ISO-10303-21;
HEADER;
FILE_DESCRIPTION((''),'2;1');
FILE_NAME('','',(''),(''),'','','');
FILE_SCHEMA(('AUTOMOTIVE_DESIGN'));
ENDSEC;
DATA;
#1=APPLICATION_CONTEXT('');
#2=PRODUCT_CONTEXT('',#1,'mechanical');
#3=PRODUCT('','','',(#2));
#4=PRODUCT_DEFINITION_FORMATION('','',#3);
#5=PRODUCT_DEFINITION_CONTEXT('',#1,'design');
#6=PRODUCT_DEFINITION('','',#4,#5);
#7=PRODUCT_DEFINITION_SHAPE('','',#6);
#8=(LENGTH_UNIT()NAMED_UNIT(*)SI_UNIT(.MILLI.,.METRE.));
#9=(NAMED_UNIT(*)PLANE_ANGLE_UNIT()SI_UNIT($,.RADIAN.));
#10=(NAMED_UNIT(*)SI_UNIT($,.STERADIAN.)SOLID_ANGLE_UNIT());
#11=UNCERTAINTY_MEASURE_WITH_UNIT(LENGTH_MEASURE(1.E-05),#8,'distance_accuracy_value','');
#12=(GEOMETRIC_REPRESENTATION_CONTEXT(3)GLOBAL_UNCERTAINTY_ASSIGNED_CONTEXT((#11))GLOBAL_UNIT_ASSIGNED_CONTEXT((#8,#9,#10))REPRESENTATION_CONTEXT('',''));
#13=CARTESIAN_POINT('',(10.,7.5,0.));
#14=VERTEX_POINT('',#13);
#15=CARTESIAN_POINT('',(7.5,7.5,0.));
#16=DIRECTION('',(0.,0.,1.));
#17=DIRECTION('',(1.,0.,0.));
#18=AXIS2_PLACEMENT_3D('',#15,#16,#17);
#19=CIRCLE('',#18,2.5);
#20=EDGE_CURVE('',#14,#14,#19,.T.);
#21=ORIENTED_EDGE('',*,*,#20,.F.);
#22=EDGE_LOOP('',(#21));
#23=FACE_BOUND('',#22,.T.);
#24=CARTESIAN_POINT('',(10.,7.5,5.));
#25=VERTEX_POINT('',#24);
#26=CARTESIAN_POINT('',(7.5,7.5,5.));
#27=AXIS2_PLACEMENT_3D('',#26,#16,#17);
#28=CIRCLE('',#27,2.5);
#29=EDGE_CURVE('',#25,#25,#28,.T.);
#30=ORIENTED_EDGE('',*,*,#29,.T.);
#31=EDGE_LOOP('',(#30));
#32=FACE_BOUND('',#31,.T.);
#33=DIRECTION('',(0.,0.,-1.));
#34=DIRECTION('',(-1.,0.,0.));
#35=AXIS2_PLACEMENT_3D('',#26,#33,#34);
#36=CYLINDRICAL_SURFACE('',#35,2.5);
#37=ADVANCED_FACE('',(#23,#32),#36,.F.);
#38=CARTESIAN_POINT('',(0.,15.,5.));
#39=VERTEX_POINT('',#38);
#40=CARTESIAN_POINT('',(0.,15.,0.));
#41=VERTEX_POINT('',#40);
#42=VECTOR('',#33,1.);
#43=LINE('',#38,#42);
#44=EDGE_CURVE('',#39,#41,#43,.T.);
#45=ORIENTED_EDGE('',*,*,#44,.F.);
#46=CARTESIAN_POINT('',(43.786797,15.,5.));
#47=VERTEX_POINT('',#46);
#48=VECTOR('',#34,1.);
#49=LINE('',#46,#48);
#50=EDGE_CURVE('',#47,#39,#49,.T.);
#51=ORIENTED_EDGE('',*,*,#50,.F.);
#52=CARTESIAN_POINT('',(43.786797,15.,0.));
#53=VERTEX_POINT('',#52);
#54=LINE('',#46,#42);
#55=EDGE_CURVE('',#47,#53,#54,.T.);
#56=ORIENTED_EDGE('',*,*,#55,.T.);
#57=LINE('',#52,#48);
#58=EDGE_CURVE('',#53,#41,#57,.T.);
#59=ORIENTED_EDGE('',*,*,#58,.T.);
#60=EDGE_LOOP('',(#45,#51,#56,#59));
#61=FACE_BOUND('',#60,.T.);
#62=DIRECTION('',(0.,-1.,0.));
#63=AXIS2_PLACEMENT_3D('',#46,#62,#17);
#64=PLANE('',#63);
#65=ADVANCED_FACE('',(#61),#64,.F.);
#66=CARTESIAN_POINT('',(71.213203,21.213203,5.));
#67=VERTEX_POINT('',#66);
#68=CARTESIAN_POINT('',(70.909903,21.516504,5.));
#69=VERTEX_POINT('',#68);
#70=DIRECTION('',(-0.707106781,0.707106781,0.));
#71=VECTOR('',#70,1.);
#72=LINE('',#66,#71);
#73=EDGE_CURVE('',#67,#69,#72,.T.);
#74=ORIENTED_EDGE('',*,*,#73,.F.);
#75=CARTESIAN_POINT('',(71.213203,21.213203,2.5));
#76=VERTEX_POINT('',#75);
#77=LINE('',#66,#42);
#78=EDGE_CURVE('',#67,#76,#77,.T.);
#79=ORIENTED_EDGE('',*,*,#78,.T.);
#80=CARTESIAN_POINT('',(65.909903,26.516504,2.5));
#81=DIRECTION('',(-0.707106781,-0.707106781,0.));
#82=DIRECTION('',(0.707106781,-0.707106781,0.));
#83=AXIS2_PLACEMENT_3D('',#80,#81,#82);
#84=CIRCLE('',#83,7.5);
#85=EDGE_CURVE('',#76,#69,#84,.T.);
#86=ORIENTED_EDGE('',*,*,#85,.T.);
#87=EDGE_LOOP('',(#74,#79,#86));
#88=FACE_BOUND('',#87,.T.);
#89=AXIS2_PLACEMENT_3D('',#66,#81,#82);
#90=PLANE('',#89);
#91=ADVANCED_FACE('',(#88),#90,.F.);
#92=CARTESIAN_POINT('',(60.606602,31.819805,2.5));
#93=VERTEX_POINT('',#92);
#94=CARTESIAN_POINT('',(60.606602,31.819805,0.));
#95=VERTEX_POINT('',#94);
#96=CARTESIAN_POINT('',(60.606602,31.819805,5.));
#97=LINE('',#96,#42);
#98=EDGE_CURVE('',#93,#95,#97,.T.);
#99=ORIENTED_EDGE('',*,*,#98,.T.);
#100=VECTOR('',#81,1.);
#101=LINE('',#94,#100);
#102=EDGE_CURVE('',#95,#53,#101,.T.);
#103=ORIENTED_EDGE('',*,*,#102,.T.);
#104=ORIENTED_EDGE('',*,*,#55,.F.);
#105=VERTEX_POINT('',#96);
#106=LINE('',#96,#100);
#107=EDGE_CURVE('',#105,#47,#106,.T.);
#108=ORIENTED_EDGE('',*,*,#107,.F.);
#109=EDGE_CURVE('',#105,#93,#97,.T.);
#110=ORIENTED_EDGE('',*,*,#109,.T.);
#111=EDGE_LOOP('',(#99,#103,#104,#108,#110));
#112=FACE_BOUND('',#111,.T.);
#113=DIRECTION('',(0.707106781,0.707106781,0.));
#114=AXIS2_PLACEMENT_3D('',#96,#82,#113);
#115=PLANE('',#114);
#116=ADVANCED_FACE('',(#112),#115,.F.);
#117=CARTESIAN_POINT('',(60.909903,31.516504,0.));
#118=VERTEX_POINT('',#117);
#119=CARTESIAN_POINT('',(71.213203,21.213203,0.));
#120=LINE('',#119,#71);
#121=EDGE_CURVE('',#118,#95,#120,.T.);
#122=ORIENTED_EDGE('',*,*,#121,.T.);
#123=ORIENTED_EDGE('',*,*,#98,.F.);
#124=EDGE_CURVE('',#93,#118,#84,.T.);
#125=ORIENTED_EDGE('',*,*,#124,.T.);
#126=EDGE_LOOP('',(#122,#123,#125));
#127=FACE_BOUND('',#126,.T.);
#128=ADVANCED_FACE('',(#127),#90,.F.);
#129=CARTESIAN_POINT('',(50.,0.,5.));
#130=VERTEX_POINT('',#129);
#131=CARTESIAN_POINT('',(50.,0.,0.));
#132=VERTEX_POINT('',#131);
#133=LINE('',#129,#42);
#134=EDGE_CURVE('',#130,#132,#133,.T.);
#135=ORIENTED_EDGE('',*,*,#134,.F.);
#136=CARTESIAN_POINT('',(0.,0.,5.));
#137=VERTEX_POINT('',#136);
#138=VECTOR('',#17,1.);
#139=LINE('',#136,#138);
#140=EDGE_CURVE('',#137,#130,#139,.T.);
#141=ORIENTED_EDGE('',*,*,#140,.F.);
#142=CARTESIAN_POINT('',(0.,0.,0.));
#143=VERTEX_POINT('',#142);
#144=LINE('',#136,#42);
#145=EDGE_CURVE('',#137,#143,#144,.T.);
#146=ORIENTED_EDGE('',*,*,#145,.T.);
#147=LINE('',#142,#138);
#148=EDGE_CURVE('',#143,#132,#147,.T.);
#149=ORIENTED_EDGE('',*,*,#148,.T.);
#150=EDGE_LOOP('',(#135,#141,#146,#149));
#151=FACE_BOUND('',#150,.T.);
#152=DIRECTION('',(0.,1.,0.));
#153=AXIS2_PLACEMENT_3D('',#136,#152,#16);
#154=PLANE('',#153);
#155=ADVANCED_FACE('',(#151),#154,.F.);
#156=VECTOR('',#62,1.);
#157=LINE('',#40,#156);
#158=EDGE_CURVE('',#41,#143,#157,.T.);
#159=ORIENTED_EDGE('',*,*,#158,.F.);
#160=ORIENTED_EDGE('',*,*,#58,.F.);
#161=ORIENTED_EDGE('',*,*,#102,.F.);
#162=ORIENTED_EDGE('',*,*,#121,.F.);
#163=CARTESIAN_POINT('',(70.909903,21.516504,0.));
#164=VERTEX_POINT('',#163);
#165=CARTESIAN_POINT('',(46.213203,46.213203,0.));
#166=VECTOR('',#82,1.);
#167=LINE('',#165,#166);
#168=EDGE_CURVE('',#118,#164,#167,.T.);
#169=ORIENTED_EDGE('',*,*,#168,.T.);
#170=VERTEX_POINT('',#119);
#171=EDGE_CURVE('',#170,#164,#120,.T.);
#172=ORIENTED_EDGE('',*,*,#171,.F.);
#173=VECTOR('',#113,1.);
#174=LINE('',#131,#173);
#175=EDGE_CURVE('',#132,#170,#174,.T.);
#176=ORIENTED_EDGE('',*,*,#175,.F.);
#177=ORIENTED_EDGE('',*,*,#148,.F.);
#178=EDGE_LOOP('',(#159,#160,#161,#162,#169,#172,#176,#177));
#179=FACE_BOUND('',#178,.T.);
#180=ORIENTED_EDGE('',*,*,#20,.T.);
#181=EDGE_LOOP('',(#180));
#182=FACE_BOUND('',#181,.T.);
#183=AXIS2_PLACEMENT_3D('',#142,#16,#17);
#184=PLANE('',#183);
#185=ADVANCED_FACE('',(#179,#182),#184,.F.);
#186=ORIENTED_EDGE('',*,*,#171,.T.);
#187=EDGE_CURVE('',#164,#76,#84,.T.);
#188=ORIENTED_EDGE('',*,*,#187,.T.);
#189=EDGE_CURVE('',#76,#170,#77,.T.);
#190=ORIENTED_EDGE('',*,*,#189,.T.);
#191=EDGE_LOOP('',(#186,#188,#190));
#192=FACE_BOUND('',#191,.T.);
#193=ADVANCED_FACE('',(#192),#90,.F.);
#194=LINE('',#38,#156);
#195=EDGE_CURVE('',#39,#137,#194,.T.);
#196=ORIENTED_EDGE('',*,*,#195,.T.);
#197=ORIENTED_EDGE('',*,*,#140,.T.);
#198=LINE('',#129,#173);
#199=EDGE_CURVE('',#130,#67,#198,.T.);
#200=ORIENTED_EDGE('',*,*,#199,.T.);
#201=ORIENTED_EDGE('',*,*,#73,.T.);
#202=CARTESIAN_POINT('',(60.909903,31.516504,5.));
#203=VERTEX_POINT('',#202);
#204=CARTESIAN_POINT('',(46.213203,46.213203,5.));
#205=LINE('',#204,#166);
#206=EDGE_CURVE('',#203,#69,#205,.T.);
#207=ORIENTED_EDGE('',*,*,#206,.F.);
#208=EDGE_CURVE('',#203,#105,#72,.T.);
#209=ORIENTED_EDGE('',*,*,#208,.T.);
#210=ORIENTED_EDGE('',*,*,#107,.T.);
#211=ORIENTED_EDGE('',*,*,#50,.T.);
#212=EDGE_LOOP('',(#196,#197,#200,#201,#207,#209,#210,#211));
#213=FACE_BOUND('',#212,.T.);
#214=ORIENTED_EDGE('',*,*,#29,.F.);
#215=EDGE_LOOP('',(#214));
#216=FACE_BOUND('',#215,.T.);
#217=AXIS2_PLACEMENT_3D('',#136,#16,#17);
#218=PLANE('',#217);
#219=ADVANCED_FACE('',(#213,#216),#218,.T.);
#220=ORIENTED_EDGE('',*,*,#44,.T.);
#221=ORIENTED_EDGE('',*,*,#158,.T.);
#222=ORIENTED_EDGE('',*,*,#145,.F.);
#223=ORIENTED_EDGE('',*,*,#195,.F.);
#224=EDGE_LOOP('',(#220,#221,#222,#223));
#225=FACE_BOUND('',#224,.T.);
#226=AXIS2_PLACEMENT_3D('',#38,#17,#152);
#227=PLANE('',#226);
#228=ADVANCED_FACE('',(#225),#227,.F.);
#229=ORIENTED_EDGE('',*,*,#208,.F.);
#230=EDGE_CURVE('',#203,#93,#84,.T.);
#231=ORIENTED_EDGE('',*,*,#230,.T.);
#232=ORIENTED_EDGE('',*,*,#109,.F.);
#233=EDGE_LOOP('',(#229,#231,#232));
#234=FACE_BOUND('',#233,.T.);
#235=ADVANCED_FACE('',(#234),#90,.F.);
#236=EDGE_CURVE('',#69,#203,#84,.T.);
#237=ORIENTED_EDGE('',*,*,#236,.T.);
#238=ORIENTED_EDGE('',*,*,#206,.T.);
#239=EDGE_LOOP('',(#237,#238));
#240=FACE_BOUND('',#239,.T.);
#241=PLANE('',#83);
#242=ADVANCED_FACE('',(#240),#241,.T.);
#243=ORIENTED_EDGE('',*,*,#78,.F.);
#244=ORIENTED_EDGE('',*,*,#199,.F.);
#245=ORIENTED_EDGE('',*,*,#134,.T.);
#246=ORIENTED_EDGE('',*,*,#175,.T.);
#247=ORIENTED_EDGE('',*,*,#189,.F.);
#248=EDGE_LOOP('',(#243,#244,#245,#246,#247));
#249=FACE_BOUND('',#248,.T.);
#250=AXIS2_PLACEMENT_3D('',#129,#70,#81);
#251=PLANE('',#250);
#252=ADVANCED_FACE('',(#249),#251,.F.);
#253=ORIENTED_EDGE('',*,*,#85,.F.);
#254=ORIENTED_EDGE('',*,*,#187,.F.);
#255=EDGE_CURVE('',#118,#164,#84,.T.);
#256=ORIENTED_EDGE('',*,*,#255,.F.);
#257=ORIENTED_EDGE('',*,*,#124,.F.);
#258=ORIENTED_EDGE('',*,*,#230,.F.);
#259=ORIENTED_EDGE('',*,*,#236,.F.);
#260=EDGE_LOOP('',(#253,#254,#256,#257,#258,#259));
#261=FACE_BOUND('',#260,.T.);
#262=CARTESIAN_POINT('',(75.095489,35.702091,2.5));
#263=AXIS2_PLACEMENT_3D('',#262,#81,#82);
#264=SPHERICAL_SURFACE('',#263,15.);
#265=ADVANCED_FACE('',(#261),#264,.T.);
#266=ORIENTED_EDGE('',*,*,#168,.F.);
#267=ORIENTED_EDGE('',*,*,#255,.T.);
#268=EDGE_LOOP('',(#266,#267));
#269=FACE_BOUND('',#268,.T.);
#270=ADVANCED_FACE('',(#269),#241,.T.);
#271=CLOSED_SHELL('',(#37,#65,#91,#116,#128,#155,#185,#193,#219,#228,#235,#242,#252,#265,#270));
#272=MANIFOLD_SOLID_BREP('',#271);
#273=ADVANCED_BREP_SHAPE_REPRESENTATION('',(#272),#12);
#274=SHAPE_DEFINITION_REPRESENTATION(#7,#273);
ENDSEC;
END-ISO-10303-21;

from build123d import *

# Parameters (mm, degrees)
SKETCH1_R           = 2.5
BOSS_EXTRUDE1_DEPTH = 5


with BuildPart() as part:
    # Sketch1 → Boss-Extrude1 (new body)
    with BuildSketch(Plane.XY):
        Polygon((0, 0), (50, 0), (71.213203436, 21.213203436), (60.606601718, 31.819805153), (43.786796564, 15), (0, 15), align=None)
        with Locations((7.5, 7.5)):
            Circle(SKETCH1_R, mode=Mode.SUBTRACT)
    extrude(amount=BOSS_EXTRUDE1_DEPTH)

    # Sketch2 → Revolve2 (revolve)
    with BuildSketch(Plane.XY.offset(2.5)):
        with BuildLine():
            Line((65.909902577, 26.516504294), (85.70209083, 46.308692548))
            ThreePointArc((85.70209083, 46.308692548), (88.085870169, 28.20209083), (71.213203436, 21.213203436))
            Line((71.213203436, 21.213203436), (65.909902577, 26.516504294))
        make_face()
    revolve(axis=Axis((65.909902577, 26.516504294, 2.5), (0.7071067811865461, 0.7071067811865489, 0)))


solid = part.part
